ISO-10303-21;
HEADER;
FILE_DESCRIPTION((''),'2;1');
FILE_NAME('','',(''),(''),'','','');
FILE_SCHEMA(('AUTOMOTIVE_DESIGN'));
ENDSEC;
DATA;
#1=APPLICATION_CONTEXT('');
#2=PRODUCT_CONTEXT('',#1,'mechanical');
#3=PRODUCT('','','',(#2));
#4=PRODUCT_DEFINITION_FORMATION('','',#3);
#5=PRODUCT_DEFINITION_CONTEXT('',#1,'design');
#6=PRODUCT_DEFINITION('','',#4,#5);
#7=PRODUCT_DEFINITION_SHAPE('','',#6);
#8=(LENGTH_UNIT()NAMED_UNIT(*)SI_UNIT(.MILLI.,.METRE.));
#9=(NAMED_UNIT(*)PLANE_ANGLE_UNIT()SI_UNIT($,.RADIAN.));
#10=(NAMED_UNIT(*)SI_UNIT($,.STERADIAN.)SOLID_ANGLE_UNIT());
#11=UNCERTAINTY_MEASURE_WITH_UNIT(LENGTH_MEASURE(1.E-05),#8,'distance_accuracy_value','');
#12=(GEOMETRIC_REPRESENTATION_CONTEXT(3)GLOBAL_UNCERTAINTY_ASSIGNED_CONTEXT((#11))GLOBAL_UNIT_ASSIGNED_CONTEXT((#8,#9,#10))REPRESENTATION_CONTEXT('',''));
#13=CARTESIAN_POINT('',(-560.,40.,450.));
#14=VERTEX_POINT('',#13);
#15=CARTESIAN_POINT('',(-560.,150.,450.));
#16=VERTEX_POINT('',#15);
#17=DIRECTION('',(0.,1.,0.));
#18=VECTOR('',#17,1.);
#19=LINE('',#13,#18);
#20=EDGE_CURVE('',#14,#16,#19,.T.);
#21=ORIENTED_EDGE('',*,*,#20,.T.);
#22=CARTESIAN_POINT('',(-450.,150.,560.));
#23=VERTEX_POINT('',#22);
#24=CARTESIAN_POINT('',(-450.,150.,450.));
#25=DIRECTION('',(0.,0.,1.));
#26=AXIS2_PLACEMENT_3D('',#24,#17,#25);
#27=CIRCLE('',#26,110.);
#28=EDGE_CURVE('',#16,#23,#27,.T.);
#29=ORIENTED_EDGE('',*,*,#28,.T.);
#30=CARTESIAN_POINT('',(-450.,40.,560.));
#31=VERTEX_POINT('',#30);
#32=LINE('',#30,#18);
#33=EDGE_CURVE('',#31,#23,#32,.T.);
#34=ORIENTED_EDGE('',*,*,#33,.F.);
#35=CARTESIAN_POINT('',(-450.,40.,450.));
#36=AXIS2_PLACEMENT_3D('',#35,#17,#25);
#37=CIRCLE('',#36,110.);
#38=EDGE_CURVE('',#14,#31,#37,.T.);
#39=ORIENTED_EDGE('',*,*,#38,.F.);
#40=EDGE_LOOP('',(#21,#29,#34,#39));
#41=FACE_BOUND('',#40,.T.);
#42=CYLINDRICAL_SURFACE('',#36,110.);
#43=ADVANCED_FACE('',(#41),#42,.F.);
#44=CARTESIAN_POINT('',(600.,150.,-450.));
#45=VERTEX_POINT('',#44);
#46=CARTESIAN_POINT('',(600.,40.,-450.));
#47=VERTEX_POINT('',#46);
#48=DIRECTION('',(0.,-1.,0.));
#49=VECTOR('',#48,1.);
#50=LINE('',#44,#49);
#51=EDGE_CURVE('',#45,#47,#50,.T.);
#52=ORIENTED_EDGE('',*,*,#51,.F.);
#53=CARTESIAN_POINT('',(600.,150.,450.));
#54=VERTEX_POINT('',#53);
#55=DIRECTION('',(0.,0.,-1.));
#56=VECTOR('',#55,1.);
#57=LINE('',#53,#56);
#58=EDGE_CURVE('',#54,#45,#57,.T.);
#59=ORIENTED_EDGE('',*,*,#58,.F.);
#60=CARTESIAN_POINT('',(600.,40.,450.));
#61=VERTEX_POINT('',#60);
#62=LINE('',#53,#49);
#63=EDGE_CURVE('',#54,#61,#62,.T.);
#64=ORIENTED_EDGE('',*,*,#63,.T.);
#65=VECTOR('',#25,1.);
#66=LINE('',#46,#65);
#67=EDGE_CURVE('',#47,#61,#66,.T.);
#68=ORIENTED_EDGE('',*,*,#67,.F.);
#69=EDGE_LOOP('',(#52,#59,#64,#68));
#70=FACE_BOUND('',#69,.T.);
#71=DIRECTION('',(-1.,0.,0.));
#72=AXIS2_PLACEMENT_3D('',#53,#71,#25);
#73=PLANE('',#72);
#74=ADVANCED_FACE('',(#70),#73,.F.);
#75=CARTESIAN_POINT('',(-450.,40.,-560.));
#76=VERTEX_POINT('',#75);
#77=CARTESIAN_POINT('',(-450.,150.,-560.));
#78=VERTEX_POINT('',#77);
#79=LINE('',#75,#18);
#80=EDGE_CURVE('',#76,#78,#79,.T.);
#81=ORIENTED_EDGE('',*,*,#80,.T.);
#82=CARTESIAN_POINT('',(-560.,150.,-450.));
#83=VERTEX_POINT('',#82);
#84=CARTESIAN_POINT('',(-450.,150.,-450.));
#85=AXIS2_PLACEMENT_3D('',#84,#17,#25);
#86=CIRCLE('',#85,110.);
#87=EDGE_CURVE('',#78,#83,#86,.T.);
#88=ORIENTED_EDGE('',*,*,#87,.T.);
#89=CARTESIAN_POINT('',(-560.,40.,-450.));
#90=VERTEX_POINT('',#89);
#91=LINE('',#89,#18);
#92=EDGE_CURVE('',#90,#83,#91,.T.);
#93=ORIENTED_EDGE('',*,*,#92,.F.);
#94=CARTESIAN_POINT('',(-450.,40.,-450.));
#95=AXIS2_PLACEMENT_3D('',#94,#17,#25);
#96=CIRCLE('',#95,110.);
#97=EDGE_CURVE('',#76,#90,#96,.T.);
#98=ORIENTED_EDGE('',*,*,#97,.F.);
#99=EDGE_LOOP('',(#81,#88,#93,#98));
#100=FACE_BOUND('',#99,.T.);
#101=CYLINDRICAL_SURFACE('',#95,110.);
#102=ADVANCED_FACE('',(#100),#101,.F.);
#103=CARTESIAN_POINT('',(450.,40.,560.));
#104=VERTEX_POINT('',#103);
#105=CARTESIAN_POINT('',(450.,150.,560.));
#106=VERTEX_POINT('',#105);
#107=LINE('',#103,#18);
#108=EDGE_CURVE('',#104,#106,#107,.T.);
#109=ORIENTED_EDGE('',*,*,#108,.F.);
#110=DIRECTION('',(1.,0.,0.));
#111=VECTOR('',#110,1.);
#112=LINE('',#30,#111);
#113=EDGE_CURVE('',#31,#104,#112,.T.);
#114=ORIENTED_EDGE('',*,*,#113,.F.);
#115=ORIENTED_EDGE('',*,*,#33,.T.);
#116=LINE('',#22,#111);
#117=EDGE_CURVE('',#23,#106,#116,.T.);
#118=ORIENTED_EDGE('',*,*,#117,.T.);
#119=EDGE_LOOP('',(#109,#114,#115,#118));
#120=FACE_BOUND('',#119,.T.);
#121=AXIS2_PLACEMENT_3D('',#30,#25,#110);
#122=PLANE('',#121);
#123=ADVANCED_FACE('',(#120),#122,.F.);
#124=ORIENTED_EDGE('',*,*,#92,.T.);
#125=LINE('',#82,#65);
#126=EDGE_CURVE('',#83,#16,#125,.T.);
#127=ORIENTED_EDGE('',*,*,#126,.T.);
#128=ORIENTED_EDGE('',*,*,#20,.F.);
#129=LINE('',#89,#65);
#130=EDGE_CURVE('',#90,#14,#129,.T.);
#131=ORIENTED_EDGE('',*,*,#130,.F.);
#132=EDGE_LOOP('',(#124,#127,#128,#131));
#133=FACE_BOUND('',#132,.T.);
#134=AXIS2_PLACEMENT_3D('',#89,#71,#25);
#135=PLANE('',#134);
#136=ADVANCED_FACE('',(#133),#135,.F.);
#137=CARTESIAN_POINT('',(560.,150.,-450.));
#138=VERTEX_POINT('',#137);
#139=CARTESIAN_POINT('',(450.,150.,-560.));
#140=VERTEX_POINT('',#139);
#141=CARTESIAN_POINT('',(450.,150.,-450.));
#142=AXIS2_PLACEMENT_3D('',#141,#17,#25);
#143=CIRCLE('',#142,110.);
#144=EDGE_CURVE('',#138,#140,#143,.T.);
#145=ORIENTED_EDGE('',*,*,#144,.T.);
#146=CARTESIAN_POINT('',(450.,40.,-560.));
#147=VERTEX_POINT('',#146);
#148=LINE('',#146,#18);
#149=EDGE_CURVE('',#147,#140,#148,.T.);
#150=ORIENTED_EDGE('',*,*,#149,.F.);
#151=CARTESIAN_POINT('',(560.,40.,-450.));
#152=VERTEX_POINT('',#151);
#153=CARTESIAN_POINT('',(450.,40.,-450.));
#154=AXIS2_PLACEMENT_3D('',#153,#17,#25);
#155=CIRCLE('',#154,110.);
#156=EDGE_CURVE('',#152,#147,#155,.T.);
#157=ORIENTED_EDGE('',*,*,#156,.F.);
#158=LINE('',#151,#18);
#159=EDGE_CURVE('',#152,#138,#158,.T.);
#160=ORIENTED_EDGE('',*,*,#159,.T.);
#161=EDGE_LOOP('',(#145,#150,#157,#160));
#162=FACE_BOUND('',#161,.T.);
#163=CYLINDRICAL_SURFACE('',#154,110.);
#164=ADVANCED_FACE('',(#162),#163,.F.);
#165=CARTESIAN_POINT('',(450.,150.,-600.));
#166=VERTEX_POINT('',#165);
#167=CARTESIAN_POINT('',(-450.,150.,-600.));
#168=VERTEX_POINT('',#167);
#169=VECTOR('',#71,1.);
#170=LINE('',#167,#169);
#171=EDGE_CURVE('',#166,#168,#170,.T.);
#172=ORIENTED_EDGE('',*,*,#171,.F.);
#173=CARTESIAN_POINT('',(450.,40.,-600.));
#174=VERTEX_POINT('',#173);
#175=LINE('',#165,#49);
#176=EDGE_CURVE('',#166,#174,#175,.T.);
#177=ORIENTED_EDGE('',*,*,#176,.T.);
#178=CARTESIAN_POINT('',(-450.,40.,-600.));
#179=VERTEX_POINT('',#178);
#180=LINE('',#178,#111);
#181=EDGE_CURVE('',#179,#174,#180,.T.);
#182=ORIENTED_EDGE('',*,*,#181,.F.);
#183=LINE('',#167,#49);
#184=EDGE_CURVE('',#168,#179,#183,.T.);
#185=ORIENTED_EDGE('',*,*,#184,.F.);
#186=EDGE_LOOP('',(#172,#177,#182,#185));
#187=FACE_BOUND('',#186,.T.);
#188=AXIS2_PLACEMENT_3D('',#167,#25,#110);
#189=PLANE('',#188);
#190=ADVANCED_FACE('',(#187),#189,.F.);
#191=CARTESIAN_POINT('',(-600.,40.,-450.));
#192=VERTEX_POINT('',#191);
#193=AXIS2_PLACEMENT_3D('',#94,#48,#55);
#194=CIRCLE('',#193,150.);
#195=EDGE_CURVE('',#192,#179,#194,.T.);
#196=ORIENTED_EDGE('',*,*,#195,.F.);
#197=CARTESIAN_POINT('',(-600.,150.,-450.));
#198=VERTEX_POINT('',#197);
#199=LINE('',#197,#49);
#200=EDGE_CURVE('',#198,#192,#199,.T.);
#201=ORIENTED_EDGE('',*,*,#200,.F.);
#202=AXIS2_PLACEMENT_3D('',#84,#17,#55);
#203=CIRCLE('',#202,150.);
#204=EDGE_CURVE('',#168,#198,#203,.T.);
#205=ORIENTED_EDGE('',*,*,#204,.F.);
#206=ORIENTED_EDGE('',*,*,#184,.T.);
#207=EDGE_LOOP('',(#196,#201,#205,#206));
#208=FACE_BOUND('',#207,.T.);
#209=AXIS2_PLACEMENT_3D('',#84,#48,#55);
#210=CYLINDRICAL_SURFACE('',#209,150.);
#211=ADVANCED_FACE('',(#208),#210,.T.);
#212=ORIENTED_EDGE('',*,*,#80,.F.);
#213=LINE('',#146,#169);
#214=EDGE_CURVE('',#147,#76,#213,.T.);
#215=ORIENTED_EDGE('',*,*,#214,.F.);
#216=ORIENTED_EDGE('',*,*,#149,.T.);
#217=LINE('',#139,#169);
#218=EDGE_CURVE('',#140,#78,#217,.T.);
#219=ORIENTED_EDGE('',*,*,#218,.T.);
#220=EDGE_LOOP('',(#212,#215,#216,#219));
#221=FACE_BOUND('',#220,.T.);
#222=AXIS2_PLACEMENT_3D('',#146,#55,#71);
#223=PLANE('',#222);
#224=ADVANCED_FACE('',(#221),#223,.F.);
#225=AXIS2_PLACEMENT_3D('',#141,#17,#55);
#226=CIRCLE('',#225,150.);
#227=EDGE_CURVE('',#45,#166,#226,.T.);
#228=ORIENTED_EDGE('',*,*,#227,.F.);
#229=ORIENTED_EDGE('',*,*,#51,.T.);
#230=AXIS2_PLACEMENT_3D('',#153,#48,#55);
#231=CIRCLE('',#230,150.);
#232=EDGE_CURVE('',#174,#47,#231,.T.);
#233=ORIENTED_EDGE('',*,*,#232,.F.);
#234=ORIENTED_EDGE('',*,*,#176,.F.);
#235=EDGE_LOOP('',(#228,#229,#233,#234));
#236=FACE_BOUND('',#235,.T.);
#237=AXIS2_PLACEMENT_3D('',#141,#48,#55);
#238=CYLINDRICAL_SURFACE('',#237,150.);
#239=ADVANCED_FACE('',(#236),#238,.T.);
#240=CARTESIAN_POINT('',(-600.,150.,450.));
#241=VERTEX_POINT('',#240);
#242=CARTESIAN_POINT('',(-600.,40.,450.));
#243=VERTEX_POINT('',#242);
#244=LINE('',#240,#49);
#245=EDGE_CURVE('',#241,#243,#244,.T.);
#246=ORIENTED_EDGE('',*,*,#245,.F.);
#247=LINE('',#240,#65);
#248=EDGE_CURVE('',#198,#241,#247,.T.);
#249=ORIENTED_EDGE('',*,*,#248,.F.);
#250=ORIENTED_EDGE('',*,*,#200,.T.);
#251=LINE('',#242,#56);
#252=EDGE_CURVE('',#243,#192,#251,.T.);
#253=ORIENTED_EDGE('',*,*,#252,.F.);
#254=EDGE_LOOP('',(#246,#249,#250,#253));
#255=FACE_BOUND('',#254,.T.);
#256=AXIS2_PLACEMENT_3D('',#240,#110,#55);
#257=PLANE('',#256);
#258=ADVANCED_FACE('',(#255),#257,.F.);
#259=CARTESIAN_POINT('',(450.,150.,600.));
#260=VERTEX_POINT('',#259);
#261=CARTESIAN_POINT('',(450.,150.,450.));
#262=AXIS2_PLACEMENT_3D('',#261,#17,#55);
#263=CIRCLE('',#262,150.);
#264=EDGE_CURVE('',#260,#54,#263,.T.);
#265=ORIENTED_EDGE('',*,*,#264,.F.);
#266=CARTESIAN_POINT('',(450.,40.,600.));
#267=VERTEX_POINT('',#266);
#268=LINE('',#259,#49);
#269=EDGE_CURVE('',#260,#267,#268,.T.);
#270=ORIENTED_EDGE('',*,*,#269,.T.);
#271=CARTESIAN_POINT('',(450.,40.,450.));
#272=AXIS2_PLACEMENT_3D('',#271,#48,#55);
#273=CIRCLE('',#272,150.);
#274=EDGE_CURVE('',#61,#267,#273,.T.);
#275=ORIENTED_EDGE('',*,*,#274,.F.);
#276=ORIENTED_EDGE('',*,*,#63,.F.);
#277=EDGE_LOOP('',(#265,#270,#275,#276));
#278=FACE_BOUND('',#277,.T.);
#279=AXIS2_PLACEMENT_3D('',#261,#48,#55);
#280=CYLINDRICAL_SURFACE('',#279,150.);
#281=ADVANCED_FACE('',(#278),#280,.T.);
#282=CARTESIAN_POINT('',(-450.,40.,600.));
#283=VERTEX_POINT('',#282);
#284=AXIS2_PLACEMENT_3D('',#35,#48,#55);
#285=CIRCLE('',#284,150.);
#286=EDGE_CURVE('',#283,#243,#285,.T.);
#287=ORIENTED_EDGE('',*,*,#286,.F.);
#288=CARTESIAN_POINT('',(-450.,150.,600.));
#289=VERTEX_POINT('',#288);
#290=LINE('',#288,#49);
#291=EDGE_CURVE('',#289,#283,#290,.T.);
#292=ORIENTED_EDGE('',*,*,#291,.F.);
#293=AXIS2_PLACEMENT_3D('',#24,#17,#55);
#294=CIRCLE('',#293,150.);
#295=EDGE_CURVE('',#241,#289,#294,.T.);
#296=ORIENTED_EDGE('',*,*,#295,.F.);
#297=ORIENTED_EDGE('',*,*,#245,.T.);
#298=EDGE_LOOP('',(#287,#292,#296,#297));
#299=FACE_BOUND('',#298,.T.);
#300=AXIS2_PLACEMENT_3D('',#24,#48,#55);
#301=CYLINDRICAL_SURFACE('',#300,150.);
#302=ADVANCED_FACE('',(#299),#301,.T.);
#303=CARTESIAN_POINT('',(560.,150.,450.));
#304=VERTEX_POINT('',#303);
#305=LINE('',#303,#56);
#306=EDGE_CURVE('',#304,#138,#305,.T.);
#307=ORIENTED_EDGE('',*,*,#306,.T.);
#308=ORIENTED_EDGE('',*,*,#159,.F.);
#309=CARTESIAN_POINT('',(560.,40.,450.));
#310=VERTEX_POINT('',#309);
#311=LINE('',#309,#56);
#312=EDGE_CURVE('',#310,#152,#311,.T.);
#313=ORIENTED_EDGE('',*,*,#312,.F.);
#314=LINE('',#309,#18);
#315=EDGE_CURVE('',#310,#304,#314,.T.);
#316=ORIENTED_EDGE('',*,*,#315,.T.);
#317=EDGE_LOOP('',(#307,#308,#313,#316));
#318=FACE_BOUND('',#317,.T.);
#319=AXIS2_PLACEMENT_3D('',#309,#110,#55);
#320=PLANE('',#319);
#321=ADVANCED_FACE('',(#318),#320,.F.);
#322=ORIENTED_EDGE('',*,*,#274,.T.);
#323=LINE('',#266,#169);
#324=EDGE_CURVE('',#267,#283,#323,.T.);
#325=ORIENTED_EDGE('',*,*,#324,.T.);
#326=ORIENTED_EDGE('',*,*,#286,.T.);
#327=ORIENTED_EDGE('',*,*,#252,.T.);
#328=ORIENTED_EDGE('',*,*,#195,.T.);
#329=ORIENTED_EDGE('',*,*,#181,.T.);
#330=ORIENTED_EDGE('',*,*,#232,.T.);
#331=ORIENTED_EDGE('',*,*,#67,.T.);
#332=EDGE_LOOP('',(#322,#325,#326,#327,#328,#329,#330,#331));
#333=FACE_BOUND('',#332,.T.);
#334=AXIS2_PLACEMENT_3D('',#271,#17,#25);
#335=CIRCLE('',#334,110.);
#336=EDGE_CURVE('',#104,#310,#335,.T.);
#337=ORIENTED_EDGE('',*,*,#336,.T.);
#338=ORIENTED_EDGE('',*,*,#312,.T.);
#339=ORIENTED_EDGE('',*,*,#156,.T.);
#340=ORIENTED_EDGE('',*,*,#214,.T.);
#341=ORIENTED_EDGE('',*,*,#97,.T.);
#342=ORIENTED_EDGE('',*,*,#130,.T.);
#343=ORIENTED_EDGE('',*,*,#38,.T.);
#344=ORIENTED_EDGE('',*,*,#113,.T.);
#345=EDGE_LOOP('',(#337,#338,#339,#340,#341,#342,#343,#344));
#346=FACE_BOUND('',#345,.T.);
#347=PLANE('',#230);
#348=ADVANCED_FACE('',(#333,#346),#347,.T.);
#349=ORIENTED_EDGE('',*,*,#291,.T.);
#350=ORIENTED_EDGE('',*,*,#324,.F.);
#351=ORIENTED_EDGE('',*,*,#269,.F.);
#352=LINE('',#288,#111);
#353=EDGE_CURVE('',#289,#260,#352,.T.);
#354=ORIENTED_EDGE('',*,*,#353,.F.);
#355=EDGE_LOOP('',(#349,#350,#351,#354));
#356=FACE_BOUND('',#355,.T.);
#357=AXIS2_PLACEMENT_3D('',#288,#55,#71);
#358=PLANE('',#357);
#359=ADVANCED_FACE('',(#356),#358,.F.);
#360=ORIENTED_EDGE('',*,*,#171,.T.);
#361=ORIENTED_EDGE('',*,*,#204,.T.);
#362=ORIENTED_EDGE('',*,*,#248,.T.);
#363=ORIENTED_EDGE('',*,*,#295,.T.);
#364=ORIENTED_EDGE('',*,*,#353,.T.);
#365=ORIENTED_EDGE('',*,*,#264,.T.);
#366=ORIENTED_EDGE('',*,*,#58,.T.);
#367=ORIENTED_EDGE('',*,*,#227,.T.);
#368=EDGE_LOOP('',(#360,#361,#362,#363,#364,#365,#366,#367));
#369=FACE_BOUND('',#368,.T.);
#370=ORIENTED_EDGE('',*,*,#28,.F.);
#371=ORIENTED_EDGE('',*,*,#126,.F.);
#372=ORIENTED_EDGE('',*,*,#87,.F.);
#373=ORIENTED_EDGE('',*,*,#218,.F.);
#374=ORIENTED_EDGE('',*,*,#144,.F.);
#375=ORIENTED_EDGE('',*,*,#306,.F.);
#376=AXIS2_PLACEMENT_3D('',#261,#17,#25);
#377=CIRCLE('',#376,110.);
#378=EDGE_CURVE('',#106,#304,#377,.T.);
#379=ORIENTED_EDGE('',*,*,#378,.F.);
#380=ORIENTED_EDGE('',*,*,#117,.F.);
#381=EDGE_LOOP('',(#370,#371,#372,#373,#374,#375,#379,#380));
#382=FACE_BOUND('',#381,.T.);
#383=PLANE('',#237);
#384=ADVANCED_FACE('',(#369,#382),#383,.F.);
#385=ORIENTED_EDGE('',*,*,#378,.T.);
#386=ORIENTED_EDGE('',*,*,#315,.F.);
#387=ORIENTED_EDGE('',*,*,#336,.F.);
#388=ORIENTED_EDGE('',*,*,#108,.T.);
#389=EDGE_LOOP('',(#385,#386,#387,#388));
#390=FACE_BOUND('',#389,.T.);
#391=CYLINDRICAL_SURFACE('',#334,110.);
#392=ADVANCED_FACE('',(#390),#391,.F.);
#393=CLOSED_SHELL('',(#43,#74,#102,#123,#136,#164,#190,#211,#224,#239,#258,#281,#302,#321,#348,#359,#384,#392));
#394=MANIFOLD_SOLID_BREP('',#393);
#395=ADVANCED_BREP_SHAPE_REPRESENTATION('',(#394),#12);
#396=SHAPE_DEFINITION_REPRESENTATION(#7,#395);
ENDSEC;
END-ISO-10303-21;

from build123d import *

# Parameters (mm, degrees)
BOSS_EXTRUDE1_DEPTH = 150
CUT_EXTRUDE1_DEPTH  = 110
SKETCH3_R           = 52.074473314
CUT_EXTRUDE2_DEPTH  = 110
CUT_EXTRUDE4_DEPTH  = 40


with BuildPart() as part:
    # Sketch1 → Boss-Extrude1 (new body)
    with BuildSketch(Plane(origin=(0, 0, 0), x_dir=(1, 0, 0), z_dir=(0, 1, 0))):
        with BuildLine():
            Line((-450, -600), (450, -600))
            ThreePointArc((450, -600), (556.066017178, -556.066017178), (600, -450))
            Line((600, -450), (600, 450))
            ThreePointArc((600, 450), (556.066017178, 556.066017178), (450, 600))
            Line((450, 600), (-450, 600))
            ThreePointArc((-450, 600), (-556.066017178, 556.066017178), (-600, 450))
            Line((-600, 450), (-600, -450))
            ThreePointArc((-600, -450), (-556.066017178, -556.066017178), (-450, -600))
        make_face()
    extrude(amount=BOSS_EXTRUDE1_DEPTH)

    # Sketch2 → Cut-Extrude1 (cut)
    with BuildSketch(Plane(origin=(0, 150, 0), x_dir=(1, 0, 0), z_dir=(0, 1, 0))):
        with BuildLine():
            Line((450, 560), (-450, 560))
            ThreePointArc((-450, 560), (-527.781745931, 527.781745931), (-560, 450))
            Line((-560, 450), (-560, -450))
            ThreePointArc((-560, -450), (-527.781745931, -527.781745931), (-450, -560))
            Line((-450, -560), (450, -560))
            ThreePointArc((450, -560), (527.781745931, -527.781745931), (560, -450))
            Line((560, -450), (560, 450))
            ThreePointArc((560, 450), (527.781745931, 527.781745931), (450, 560))
        make_face()
    extrude(amount=-CUT_EXTRUDE1_DEPTH, mode=Mode.SUBTRACT)

    # Sketch3 → Cut-Extrude2 (cut)
    with BuildSketch(Plane(origin=(0, 40, 0), x_dir=(1, 0, 0), z_dir=(0, 1, 0))):
        with Locations((249.348788186, 217.558417351)):
            Circle(SKETCH3_R)
    extrude(amount=-CUT_EXTRUDE2_DEPTH, mode=Mode.SUBTRACT)

    # Sketch7 → Cut-Extrude4 (cut)
    with BuildSketch(Plane.XZ):
        with BuildLine():
            Line((600, -450), (600, 450))
            ThreePointArc((600, 450), (556.066017178, 556.066017178), (450, 600))
            Line((450, 600), (-450, 600))
            ThreePointArc((-450, 600), (-556.066017178, 556.066017178), (-600, 450))
            Line((-600, 450), (-600, -450))
            ThreePointArc((-600, -450), (-556.066017178, -556.066017178), (-450, -600))
            Line((-450, -600), (450, -600))
            ThreePointArc((450, -600), (556.066017178, -556.066017178), (600, -450))
        make_face()
    extrude(amount=-CUT_EXTRUDE4_DEPTH, mode=Mode.SUBTRACT)


solid = part.part
